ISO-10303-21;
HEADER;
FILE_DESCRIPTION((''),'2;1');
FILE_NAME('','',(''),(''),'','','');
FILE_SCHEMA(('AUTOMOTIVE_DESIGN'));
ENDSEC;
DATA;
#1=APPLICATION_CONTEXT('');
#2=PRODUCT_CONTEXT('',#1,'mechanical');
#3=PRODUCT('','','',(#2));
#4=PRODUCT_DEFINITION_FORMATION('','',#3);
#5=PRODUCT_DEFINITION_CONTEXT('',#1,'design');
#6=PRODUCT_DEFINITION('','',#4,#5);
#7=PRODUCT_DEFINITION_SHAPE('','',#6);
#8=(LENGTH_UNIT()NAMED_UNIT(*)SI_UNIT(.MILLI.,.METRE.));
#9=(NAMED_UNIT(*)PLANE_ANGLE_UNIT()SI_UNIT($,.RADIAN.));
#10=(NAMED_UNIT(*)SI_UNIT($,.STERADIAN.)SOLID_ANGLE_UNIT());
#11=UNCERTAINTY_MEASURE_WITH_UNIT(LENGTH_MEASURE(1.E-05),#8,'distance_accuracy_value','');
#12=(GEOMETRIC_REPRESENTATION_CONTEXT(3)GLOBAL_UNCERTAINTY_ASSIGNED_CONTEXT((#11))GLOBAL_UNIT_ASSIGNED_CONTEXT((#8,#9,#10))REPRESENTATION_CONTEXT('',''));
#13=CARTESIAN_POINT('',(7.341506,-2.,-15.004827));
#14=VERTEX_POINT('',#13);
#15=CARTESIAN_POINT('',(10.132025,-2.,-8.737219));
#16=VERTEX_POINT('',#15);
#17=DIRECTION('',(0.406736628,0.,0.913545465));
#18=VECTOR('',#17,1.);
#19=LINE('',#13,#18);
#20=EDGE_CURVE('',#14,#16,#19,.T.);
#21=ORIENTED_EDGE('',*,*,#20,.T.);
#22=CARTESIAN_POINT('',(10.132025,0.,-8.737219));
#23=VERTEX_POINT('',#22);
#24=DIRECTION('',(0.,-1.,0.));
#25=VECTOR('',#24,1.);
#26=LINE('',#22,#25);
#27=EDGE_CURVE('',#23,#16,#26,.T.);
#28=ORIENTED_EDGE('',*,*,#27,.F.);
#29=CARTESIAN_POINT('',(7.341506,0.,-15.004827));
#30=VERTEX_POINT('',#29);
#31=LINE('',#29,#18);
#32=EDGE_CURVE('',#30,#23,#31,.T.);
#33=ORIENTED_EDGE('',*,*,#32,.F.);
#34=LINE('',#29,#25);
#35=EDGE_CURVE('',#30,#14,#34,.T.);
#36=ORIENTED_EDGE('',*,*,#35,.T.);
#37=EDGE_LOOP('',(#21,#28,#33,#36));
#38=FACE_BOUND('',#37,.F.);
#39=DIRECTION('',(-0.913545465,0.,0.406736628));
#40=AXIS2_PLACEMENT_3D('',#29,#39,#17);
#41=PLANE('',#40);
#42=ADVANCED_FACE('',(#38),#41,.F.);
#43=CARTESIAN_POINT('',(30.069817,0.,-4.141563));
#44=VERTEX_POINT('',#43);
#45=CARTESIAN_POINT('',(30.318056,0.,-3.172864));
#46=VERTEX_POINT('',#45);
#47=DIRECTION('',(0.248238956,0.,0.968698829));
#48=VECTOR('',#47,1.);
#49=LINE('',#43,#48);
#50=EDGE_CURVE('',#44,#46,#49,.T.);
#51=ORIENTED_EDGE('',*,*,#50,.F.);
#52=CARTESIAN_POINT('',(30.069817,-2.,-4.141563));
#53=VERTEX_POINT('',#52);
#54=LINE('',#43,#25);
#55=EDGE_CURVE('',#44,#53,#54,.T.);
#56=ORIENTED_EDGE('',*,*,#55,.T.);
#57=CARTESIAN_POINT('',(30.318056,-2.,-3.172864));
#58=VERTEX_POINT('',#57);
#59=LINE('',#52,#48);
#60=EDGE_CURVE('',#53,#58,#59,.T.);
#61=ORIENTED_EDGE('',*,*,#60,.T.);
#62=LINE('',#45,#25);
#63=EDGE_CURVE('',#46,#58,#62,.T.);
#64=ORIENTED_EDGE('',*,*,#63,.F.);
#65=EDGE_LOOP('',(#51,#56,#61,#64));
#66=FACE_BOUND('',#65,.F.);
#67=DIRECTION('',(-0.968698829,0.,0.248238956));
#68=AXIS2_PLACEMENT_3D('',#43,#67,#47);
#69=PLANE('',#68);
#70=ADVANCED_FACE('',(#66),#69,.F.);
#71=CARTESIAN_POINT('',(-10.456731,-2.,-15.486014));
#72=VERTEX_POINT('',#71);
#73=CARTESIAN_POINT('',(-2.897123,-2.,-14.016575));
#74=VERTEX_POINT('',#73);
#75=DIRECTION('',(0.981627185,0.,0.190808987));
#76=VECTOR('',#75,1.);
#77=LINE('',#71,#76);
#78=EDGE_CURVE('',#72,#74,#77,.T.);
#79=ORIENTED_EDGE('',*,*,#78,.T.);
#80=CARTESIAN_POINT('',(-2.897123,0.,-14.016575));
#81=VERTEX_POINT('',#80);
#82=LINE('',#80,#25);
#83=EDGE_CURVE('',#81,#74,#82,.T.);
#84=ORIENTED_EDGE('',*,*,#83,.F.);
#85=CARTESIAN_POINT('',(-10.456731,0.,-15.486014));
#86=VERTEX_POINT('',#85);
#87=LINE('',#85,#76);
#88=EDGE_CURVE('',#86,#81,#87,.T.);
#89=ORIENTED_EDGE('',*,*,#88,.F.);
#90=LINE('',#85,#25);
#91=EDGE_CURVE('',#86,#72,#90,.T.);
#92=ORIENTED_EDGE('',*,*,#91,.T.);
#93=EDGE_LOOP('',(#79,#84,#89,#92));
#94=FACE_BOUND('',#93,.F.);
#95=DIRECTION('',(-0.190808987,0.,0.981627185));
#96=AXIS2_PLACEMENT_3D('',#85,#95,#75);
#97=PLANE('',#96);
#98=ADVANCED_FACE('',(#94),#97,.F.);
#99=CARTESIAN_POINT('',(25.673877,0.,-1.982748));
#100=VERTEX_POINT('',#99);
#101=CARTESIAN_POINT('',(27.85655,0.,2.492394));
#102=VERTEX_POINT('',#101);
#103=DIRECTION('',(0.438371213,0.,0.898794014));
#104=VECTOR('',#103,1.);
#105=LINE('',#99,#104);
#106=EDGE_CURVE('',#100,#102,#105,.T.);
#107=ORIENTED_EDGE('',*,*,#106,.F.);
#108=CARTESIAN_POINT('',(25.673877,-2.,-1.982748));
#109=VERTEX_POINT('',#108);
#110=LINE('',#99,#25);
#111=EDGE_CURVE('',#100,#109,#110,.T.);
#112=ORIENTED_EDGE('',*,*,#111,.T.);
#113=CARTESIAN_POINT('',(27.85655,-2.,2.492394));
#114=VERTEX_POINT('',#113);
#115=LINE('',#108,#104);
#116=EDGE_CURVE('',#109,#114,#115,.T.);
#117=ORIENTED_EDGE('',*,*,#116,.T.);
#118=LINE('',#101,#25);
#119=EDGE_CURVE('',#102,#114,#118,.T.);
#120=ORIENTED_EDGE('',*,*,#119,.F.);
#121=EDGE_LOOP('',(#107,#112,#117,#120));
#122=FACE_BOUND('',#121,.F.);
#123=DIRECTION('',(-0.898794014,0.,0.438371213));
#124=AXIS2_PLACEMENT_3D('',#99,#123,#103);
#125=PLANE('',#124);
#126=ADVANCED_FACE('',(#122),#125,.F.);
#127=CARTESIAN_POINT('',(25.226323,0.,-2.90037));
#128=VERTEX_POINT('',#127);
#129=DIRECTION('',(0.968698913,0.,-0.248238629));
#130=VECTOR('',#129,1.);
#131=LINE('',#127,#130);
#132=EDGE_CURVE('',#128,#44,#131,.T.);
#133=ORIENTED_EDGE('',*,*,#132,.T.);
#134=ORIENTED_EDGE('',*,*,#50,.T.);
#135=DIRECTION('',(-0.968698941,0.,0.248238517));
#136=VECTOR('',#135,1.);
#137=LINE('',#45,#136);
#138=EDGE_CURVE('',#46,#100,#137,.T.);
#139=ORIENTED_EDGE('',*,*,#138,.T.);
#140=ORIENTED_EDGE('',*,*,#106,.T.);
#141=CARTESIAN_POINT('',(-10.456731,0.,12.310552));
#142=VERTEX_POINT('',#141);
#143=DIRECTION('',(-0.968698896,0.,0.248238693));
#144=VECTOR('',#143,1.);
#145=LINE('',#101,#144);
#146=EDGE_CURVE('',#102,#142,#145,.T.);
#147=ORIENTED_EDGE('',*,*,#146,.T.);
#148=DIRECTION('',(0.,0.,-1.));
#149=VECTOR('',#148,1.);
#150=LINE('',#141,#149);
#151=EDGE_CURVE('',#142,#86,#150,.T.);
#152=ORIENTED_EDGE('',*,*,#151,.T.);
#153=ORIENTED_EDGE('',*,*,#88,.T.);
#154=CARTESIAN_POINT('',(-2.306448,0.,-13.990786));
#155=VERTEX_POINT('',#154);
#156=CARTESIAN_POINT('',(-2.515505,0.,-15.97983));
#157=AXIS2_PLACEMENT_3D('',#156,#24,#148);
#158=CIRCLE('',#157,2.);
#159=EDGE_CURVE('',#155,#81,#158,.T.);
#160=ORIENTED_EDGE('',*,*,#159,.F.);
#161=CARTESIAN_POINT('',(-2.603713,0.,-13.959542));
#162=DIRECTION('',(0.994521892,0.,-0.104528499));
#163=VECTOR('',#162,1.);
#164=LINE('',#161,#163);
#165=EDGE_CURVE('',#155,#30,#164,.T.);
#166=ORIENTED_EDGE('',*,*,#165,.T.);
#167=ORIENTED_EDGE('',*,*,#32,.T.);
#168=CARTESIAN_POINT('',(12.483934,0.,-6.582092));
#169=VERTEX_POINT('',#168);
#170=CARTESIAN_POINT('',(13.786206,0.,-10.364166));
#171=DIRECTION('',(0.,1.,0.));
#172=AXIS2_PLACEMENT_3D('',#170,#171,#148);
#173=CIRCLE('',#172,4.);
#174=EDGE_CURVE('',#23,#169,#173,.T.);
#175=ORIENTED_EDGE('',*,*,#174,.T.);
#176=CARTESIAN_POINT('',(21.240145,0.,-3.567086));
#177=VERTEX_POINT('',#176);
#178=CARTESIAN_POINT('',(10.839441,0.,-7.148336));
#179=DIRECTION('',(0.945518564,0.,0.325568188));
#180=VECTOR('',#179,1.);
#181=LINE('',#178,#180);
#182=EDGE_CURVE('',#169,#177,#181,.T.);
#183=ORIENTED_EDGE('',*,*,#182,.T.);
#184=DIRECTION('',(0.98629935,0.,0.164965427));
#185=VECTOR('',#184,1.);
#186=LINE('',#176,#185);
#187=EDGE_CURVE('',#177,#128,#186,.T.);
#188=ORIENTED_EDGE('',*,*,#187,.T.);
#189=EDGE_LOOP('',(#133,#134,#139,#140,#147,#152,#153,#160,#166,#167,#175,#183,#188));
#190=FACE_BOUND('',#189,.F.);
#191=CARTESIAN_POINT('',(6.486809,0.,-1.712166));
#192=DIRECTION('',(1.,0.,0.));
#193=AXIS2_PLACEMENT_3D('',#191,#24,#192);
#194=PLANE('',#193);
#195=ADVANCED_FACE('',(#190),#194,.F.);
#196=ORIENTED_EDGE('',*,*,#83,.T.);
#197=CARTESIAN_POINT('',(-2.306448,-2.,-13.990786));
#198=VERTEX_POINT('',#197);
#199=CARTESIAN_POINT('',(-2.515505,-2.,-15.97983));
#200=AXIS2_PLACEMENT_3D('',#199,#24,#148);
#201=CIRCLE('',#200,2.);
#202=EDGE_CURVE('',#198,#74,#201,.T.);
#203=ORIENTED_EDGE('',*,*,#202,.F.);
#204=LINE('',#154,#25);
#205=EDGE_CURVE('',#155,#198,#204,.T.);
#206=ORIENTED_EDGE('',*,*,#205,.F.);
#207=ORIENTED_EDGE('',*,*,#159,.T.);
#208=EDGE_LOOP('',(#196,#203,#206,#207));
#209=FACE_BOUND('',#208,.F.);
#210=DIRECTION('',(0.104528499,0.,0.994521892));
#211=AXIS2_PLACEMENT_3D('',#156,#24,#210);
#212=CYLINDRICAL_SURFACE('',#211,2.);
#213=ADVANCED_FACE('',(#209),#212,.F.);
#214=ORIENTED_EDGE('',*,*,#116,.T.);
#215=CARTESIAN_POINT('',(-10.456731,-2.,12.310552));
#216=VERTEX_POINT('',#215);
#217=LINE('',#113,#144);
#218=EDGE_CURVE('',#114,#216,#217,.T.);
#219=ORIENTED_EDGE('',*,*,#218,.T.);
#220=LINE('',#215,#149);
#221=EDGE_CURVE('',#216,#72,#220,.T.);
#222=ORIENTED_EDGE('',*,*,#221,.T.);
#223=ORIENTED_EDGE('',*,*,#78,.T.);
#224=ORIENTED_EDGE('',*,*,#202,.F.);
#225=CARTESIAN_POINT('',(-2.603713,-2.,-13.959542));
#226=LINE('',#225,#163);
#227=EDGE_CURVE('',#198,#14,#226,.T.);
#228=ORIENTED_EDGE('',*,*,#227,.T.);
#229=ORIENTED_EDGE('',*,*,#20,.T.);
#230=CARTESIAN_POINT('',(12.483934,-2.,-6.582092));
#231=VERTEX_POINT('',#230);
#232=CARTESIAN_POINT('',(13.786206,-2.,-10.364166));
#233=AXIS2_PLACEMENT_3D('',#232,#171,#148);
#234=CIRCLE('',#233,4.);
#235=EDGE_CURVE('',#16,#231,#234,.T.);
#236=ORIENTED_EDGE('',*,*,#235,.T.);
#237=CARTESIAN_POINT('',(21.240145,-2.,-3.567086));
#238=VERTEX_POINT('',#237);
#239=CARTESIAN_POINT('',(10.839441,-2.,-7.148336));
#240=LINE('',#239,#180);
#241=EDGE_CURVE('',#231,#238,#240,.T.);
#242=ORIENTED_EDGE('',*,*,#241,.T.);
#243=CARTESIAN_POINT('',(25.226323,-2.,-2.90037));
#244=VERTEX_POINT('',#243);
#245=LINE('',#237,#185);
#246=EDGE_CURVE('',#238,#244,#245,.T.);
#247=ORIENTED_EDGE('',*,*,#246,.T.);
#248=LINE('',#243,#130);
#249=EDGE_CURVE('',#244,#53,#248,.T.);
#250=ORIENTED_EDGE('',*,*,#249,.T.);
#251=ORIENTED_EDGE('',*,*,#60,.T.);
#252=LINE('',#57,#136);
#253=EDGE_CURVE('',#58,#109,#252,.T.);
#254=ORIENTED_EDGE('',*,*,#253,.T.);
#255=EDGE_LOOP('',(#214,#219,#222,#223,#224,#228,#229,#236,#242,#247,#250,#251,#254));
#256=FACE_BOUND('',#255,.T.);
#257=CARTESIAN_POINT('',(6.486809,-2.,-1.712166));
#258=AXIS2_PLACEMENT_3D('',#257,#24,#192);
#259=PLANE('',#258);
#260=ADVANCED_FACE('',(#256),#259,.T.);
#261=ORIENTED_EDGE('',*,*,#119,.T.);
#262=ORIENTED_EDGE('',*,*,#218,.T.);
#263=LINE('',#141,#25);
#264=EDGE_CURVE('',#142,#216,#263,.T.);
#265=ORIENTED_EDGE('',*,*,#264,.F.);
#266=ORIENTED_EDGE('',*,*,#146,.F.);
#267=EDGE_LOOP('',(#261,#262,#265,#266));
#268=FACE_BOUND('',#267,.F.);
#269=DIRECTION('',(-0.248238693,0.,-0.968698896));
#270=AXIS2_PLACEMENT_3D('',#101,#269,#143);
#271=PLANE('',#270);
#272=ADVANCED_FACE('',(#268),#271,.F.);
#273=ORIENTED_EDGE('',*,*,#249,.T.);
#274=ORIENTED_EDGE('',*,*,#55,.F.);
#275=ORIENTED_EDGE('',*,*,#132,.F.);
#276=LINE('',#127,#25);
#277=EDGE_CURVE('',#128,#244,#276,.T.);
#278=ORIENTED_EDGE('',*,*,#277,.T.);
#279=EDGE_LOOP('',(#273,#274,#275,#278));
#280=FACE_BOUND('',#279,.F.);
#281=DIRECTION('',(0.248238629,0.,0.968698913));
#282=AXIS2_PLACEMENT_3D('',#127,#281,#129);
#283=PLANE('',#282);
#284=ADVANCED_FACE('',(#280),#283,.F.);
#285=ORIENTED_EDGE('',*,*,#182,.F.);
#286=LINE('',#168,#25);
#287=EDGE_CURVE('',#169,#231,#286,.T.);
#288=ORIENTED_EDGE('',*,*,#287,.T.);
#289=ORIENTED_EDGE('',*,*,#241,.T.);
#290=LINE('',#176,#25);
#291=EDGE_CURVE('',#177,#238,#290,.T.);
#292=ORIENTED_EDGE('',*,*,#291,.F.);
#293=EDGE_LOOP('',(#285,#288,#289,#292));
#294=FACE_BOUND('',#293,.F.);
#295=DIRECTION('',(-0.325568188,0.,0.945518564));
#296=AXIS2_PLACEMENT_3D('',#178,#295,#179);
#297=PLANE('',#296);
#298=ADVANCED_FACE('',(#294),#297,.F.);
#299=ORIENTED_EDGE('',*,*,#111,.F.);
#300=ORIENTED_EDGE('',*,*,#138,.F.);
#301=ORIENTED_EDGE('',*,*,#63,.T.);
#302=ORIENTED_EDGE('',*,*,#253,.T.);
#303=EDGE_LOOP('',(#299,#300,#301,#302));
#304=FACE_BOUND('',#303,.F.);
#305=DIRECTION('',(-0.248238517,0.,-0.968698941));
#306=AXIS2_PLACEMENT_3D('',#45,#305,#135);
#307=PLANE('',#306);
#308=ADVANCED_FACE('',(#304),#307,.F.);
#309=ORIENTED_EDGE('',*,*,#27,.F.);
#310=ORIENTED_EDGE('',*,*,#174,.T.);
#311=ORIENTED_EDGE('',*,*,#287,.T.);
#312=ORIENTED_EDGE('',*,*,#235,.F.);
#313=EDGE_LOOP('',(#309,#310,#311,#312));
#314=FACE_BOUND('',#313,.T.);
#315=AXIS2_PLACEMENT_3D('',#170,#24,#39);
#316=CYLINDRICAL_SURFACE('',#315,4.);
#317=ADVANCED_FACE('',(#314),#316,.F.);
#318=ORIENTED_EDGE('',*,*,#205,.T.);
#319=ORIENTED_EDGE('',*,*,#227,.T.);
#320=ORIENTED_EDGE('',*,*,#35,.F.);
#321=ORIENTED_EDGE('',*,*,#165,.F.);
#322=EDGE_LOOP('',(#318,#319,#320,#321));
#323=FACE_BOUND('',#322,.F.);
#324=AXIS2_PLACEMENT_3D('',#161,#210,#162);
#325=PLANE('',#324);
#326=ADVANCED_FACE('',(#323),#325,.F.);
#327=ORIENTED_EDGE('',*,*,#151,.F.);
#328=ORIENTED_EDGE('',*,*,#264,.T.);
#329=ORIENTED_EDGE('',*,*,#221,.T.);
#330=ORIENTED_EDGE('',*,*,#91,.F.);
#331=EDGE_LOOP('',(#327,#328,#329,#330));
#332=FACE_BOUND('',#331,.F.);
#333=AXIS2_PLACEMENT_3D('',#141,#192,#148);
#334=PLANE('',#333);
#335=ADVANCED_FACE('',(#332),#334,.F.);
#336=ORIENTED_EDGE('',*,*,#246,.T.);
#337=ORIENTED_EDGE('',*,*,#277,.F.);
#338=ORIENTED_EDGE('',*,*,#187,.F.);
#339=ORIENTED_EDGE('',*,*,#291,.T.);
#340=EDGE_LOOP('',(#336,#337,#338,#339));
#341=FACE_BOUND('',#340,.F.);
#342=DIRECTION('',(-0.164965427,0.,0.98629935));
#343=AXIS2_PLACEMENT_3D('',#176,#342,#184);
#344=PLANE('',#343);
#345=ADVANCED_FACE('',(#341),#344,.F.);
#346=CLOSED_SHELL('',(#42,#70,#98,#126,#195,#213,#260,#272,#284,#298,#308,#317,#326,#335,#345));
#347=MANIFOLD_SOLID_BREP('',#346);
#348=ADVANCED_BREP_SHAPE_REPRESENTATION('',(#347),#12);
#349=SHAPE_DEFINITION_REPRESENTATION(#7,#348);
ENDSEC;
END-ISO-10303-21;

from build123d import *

# Parameters (mm, degrees)
F1_DEPTH = 2
F2_R     = 4
F3_R     = 2


with BuildPart() as f1:
    # F0 (on Front) → F1 (new body)
    with BuildSketch(Plane.XZ):
        Polygon((-10.456731, 12.310552), (-10.456731, -15.486014), (-2.603713, -13.959542), (7.341506, -15.004827), (10.839441, -7.148336), (21.240145, -3.567086), (25.226323, -2.90037), (30.069817, -4.141563), (30.318056, -3.172864), (25.673877, -1.982748), (27.85655, 2.492394), align=None)
    extrude(amount=F1_DEPTH)

    # F2
    f2_edges = [f1.edges().sort_by_distance(p)[0] for p in [
        (10.839441, -1, -7.148336),
    ]]
    fillet(f2_edges, radius=F2_R)

    # F3
    f3_edges = [f1.edges().sort_by_distance(p)[0] for p in [
        (-2.603713, -1, -13.959542),
    ]]
    fillet(f3_edges, radius=F3_R)


solid = f1.part
